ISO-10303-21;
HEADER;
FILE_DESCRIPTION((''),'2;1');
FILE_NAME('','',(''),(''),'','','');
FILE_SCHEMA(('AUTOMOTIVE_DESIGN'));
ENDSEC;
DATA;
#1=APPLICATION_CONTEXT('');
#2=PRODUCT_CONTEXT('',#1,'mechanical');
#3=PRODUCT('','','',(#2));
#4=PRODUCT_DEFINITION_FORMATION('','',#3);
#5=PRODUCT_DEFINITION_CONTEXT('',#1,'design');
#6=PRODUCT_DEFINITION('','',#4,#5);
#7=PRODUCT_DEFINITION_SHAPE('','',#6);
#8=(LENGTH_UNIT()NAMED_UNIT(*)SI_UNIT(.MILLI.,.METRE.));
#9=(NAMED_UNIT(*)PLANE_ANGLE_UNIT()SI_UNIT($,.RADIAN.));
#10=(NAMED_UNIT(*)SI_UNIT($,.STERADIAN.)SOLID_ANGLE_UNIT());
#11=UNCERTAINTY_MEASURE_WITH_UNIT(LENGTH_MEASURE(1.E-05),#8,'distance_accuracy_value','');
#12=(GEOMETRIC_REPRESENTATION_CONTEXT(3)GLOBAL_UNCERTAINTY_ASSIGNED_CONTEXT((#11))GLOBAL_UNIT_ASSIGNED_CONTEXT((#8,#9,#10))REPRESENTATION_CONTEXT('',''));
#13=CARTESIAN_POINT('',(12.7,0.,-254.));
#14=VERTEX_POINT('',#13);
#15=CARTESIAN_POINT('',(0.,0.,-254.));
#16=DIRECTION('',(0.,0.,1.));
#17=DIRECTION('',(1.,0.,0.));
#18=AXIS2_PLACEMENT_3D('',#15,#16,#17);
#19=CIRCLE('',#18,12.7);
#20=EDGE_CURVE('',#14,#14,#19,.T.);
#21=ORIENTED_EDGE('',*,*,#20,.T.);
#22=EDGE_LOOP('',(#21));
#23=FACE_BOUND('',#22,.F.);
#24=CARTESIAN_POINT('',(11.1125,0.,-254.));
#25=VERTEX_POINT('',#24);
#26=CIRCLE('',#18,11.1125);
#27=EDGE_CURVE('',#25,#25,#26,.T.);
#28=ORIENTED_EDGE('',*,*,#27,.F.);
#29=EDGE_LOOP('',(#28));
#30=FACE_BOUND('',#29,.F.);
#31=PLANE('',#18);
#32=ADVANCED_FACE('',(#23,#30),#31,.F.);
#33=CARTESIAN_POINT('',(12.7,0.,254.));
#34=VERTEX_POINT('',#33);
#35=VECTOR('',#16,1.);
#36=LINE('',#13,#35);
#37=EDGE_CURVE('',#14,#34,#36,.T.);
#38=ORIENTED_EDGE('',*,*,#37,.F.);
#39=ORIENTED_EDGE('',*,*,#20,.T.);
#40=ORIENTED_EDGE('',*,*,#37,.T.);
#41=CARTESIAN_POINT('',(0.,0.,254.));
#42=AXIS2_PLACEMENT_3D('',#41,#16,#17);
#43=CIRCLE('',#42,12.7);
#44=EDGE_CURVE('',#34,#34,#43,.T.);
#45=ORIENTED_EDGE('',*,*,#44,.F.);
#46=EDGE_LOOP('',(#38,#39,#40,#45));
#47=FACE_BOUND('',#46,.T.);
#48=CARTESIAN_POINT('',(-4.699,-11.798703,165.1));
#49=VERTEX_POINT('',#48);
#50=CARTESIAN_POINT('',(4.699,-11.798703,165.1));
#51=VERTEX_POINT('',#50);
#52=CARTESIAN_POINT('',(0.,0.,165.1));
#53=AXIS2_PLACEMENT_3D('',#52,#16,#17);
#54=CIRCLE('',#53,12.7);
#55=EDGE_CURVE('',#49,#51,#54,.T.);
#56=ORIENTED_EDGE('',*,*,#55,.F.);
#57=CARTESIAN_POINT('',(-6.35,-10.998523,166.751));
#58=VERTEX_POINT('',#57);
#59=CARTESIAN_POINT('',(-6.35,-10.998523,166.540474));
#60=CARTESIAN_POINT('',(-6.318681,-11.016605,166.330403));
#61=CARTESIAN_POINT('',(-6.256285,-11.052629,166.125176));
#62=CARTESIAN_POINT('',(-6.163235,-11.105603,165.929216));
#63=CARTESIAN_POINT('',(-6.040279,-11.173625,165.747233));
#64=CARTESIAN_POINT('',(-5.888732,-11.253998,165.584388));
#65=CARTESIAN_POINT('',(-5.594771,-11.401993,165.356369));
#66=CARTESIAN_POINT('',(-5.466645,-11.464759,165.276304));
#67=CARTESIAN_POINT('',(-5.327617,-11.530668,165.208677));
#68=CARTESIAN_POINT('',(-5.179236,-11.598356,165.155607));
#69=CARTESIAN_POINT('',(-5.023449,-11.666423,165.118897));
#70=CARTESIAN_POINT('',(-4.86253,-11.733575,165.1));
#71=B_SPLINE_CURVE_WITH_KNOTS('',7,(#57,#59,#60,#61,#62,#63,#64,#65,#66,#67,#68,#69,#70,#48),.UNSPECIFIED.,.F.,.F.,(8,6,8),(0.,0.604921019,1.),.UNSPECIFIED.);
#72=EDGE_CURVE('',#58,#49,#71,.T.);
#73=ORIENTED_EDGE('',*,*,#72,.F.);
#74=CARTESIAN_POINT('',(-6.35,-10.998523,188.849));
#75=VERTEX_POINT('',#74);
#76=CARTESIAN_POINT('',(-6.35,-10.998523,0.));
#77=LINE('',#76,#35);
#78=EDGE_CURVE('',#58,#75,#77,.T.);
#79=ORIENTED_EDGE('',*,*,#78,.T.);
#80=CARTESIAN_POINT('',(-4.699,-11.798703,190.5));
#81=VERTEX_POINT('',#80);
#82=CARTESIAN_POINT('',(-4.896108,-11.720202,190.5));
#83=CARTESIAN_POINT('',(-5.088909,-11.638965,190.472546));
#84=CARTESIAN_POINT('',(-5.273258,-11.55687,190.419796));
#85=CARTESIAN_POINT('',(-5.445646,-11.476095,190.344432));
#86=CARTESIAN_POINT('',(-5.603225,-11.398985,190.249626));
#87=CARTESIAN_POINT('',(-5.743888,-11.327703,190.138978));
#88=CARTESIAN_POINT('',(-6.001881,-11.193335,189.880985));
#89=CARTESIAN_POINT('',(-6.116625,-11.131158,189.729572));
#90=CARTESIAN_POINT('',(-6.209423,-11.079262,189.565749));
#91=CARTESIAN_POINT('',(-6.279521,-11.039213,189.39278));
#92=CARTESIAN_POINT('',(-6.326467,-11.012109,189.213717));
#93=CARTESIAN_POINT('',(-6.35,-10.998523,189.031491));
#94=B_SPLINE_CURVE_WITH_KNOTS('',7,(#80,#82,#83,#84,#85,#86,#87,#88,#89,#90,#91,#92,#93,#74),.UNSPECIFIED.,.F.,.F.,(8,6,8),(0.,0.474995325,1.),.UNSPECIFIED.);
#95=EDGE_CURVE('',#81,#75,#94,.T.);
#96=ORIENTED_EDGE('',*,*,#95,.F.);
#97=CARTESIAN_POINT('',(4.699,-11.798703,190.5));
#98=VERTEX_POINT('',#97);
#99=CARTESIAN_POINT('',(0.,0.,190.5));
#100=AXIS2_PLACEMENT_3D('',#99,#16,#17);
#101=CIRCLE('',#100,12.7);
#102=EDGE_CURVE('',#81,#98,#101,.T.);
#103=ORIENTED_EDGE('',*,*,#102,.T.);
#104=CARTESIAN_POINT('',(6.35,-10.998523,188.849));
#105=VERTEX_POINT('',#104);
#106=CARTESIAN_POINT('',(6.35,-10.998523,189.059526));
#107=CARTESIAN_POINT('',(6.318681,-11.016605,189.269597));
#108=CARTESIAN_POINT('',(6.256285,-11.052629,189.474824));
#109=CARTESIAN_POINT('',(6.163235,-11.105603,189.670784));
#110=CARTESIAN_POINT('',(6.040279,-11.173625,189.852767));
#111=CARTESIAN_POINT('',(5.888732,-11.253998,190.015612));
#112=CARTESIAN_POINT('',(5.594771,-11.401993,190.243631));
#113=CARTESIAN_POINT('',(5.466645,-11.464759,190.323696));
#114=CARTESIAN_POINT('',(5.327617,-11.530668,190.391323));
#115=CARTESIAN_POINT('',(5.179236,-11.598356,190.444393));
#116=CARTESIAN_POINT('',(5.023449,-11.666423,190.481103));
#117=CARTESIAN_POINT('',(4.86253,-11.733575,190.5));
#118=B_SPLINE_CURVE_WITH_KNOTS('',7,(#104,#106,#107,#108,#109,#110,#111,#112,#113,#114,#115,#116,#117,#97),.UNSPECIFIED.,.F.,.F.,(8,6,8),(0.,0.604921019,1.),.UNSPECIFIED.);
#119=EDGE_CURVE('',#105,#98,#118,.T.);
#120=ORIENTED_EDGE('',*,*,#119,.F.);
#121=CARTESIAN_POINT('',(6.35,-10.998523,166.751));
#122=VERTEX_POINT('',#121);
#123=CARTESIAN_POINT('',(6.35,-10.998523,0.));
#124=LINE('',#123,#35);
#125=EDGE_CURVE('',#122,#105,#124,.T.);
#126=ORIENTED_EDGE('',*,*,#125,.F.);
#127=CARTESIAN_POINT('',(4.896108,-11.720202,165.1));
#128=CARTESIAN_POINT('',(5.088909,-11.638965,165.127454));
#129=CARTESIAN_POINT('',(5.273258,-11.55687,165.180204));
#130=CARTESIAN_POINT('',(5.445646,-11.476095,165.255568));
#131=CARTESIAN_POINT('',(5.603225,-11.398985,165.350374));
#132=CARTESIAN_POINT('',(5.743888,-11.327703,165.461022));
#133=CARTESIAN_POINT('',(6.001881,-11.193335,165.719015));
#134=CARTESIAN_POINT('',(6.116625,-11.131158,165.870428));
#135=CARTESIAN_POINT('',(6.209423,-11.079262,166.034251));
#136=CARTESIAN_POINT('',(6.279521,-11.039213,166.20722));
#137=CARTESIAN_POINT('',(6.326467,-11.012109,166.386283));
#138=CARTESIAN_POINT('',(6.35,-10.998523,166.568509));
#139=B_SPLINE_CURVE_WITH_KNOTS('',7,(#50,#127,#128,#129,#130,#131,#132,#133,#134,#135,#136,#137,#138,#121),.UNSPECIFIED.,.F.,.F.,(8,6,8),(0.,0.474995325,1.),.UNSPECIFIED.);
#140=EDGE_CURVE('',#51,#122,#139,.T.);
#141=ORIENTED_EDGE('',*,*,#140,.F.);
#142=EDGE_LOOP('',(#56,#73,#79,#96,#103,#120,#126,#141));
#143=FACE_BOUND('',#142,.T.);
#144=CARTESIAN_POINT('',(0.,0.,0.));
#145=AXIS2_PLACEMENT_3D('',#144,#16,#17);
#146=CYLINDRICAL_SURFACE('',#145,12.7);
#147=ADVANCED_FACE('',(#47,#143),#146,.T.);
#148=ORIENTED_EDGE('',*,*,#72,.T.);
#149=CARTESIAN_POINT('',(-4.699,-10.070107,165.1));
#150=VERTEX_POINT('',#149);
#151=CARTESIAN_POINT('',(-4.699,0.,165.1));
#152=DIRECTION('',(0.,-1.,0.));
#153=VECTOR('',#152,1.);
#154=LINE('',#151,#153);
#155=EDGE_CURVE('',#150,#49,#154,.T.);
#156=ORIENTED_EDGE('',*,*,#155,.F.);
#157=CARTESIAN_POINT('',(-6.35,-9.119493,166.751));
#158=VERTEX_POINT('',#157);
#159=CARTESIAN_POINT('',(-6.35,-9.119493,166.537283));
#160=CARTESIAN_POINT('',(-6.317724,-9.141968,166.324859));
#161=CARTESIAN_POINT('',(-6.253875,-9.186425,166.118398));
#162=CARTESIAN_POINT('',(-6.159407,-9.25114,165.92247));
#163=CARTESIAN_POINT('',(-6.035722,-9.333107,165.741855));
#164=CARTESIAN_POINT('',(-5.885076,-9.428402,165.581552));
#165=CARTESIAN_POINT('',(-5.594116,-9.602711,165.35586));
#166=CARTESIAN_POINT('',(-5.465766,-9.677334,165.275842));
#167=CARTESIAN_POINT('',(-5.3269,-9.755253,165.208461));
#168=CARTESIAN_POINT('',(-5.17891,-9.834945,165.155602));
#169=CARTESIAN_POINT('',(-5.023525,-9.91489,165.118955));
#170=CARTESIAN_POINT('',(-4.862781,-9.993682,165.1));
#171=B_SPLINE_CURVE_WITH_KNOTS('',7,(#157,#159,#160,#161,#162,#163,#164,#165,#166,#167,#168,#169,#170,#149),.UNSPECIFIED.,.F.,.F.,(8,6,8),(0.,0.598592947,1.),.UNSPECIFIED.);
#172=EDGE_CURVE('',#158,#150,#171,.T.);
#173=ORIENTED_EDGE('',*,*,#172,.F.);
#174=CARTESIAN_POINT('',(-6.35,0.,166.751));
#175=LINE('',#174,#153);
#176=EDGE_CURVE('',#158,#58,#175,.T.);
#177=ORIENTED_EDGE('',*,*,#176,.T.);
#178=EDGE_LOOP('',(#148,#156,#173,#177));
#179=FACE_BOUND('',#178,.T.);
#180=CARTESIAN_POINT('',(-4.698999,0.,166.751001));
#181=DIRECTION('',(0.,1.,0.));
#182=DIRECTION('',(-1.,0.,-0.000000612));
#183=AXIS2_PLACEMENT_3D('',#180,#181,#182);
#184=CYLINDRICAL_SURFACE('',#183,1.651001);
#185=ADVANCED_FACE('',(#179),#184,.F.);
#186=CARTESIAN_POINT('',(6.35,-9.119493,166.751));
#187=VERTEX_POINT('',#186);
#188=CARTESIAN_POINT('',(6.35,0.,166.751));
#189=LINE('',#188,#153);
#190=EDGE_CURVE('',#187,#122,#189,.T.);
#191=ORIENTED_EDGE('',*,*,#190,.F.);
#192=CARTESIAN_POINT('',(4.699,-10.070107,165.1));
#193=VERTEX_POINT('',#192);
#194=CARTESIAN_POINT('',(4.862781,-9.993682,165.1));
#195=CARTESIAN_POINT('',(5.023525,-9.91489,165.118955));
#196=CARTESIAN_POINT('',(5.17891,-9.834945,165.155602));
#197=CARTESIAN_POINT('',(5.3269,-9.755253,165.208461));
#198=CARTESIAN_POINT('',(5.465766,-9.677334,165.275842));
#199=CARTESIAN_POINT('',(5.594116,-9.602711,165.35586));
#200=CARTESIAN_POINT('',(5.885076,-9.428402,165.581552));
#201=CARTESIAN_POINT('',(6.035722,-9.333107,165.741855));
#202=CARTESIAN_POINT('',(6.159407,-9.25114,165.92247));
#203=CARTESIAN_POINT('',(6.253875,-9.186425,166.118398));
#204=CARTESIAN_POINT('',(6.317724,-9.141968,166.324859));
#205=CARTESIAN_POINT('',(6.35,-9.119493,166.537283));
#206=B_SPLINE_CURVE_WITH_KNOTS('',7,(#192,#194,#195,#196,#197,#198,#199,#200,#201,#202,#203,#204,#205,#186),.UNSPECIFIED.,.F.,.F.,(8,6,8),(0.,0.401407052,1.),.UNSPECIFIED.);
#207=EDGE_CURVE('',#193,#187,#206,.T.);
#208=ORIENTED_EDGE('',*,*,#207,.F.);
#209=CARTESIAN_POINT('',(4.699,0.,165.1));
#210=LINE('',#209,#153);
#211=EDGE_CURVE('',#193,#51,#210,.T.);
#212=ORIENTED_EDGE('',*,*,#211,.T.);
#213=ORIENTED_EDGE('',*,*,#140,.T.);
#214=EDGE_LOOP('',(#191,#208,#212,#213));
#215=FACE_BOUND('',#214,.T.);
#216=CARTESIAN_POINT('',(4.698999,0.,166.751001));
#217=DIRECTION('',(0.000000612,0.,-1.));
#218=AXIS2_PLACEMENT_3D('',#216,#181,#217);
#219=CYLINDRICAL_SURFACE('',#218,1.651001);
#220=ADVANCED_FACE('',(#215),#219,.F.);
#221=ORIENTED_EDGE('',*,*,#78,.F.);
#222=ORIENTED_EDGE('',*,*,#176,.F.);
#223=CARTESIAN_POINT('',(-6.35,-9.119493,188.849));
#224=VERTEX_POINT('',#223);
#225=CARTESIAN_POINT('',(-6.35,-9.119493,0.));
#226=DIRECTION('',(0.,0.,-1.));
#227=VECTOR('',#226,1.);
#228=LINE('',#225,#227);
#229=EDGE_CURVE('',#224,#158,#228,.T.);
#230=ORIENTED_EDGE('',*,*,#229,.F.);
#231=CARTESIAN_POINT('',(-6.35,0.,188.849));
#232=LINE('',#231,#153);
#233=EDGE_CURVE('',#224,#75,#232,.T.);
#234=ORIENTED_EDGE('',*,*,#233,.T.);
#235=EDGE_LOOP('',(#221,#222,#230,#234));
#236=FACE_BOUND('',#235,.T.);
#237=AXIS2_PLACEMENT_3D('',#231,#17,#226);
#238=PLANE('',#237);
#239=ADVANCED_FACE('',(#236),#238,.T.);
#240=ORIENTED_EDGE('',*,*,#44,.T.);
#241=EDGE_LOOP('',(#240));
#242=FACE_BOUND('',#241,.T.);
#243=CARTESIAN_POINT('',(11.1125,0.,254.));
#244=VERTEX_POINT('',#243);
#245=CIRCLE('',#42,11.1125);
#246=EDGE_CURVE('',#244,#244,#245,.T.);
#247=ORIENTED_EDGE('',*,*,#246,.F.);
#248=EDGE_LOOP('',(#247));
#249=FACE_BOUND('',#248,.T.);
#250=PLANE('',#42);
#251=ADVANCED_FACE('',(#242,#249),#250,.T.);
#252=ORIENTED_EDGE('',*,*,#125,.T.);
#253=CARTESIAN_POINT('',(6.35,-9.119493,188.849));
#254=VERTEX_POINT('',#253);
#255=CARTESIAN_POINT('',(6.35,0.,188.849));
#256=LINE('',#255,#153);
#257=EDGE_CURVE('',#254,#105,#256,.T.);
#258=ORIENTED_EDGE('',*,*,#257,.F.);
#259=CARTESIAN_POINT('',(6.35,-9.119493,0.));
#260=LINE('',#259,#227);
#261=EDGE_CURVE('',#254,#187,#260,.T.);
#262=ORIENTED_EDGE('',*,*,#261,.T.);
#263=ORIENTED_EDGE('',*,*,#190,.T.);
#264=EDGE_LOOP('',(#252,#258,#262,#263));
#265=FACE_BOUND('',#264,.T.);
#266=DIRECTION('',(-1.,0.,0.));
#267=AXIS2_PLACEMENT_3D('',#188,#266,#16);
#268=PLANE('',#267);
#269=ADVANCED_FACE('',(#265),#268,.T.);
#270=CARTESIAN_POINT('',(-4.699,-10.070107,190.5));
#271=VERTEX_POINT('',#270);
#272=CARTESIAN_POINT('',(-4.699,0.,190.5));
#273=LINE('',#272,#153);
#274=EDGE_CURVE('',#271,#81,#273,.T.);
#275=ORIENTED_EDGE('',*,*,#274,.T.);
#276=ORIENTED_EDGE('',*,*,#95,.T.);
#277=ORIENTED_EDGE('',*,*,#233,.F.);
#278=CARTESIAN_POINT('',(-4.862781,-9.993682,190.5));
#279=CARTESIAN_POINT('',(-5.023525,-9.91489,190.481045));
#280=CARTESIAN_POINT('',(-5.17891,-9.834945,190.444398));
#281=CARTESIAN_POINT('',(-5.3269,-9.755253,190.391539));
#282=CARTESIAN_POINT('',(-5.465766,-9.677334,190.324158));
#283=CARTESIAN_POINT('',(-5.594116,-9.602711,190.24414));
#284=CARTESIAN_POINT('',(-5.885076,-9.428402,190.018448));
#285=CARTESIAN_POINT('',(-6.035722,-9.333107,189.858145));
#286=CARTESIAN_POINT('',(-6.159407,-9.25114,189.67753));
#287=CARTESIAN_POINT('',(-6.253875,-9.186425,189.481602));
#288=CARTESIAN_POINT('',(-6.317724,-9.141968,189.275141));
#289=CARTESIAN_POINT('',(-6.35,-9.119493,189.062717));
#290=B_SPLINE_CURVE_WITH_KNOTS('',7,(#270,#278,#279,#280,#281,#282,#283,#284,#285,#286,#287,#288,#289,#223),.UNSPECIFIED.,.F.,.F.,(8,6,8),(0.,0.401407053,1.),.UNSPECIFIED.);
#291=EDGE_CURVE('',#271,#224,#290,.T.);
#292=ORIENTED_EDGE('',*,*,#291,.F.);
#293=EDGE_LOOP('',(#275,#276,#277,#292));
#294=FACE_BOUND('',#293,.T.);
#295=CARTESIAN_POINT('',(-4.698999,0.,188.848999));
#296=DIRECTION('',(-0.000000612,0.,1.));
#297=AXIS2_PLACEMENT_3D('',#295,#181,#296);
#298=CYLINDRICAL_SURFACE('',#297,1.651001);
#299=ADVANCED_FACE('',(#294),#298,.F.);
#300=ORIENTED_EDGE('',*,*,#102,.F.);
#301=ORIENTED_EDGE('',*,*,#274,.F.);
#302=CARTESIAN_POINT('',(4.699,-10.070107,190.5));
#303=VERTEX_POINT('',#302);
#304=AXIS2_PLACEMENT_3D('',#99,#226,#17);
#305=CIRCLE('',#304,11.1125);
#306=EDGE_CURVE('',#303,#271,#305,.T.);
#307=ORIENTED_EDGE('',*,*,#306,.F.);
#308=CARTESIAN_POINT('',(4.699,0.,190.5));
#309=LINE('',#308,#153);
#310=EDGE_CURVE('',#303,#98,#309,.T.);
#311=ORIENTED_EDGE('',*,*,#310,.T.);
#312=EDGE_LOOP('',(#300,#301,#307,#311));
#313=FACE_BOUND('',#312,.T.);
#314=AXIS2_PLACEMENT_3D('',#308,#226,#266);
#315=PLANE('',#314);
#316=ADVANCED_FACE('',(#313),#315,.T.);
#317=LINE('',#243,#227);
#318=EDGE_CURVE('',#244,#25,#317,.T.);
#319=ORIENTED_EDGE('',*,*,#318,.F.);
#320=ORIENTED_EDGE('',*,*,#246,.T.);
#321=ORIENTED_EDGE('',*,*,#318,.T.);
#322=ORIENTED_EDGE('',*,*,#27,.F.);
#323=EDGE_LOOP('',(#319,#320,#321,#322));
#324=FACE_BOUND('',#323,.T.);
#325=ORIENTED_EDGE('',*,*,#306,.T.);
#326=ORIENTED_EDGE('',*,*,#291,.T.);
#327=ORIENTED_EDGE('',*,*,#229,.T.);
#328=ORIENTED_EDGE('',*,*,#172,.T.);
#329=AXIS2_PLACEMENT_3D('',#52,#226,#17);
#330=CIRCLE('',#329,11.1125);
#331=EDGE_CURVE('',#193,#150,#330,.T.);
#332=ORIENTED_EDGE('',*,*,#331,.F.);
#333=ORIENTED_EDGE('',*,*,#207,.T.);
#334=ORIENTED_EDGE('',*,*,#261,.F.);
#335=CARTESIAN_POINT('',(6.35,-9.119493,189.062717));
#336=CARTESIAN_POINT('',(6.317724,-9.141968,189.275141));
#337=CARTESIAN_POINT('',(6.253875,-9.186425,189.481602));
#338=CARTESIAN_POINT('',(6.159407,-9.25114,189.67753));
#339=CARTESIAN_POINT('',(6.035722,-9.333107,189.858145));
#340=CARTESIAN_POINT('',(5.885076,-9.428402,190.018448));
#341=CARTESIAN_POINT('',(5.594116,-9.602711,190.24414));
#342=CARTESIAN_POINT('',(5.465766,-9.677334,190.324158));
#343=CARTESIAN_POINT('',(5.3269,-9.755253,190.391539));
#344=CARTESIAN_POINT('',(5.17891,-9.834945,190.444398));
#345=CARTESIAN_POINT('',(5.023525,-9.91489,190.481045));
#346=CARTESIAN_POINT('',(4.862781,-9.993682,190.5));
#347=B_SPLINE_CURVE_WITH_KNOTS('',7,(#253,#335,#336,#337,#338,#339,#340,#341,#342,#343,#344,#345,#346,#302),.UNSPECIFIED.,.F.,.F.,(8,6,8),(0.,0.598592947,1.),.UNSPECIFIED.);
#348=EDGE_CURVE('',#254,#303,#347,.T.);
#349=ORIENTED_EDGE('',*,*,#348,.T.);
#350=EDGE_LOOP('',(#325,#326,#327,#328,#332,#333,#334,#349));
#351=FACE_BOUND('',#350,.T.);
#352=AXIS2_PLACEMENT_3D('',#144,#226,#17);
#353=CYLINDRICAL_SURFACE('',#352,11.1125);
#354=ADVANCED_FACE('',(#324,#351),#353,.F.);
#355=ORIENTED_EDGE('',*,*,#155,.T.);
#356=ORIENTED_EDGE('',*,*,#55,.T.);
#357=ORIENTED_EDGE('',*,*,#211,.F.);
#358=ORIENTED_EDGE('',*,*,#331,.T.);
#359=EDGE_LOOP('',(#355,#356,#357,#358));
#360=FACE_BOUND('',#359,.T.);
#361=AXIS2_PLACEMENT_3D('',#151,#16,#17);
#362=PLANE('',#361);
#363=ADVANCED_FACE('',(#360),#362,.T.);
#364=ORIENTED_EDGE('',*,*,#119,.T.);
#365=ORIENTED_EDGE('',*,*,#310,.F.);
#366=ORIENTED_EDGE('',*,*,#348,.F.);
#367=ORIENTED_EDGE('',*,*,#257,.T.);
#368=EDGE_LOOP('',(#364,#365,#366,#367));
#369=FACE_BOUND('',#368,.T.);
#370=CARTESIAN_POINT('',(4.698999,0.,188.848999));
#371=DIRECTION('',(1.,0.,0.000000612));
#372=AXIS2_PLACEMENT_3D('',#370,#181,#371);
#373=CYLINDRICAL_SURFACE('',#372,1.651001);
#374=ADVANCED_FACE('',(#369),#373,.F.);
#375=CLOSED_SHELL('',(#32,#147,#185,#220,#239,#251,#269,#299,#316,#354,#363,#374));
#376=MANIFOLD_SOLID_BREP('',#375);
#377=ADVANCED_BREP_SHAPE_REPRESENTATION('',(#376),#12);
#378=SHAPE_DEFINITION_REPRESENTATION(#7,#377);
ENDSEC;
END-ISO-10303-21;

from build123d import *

# Parameters (mm, degrees)
F0_R     = 12.7
F0_R_2   = 11.1125
F1_DEPTH = 254
F3_DEPTH = 25.4


with BuildPart() as f1:
    # F0 (on Top) → F1 (new body, symmetric)
    with BuildSketch(Plane.XY):
        Circle(F0_R)
        Circle(F0_R_2, mode=Mode.SUBTRACT)
    extrude(amount=F1_DEPTH, both=True)

    # F2 (on Front) → F3 (cut)
    with BuildSketch(Plane.XZ):
        with BuildLine():
            Line((4.699, 190.5), (-4.699, 190.5))
            ThreePointArc((-4.699, 190.5), (-5.866433, 190.016433), (-6.35, 188.849))
            Line((-6.35, 188.849), (-6.35, 166.751))
            ThreePointArc((-6.35, 166.751), (-5.866433, 165.583567), (-4.699, 165.1))
            Line((-4.699, 165.1), (4.699, 165.1))
            ThreePointArc((4.699, 165.1), (5.866433, 165.583567), (6.35, 166.751))
            Line((6.35, 166.751), (6.35, 188.849))
            ThreePointArc((6.35, 188.849), (5.866433, 190.016433), (4.699, 190.5))
        make_face()
    extrude(amount=F3_DEPTH, mode=Mode.SUBTRACT)


solid = f1.part
